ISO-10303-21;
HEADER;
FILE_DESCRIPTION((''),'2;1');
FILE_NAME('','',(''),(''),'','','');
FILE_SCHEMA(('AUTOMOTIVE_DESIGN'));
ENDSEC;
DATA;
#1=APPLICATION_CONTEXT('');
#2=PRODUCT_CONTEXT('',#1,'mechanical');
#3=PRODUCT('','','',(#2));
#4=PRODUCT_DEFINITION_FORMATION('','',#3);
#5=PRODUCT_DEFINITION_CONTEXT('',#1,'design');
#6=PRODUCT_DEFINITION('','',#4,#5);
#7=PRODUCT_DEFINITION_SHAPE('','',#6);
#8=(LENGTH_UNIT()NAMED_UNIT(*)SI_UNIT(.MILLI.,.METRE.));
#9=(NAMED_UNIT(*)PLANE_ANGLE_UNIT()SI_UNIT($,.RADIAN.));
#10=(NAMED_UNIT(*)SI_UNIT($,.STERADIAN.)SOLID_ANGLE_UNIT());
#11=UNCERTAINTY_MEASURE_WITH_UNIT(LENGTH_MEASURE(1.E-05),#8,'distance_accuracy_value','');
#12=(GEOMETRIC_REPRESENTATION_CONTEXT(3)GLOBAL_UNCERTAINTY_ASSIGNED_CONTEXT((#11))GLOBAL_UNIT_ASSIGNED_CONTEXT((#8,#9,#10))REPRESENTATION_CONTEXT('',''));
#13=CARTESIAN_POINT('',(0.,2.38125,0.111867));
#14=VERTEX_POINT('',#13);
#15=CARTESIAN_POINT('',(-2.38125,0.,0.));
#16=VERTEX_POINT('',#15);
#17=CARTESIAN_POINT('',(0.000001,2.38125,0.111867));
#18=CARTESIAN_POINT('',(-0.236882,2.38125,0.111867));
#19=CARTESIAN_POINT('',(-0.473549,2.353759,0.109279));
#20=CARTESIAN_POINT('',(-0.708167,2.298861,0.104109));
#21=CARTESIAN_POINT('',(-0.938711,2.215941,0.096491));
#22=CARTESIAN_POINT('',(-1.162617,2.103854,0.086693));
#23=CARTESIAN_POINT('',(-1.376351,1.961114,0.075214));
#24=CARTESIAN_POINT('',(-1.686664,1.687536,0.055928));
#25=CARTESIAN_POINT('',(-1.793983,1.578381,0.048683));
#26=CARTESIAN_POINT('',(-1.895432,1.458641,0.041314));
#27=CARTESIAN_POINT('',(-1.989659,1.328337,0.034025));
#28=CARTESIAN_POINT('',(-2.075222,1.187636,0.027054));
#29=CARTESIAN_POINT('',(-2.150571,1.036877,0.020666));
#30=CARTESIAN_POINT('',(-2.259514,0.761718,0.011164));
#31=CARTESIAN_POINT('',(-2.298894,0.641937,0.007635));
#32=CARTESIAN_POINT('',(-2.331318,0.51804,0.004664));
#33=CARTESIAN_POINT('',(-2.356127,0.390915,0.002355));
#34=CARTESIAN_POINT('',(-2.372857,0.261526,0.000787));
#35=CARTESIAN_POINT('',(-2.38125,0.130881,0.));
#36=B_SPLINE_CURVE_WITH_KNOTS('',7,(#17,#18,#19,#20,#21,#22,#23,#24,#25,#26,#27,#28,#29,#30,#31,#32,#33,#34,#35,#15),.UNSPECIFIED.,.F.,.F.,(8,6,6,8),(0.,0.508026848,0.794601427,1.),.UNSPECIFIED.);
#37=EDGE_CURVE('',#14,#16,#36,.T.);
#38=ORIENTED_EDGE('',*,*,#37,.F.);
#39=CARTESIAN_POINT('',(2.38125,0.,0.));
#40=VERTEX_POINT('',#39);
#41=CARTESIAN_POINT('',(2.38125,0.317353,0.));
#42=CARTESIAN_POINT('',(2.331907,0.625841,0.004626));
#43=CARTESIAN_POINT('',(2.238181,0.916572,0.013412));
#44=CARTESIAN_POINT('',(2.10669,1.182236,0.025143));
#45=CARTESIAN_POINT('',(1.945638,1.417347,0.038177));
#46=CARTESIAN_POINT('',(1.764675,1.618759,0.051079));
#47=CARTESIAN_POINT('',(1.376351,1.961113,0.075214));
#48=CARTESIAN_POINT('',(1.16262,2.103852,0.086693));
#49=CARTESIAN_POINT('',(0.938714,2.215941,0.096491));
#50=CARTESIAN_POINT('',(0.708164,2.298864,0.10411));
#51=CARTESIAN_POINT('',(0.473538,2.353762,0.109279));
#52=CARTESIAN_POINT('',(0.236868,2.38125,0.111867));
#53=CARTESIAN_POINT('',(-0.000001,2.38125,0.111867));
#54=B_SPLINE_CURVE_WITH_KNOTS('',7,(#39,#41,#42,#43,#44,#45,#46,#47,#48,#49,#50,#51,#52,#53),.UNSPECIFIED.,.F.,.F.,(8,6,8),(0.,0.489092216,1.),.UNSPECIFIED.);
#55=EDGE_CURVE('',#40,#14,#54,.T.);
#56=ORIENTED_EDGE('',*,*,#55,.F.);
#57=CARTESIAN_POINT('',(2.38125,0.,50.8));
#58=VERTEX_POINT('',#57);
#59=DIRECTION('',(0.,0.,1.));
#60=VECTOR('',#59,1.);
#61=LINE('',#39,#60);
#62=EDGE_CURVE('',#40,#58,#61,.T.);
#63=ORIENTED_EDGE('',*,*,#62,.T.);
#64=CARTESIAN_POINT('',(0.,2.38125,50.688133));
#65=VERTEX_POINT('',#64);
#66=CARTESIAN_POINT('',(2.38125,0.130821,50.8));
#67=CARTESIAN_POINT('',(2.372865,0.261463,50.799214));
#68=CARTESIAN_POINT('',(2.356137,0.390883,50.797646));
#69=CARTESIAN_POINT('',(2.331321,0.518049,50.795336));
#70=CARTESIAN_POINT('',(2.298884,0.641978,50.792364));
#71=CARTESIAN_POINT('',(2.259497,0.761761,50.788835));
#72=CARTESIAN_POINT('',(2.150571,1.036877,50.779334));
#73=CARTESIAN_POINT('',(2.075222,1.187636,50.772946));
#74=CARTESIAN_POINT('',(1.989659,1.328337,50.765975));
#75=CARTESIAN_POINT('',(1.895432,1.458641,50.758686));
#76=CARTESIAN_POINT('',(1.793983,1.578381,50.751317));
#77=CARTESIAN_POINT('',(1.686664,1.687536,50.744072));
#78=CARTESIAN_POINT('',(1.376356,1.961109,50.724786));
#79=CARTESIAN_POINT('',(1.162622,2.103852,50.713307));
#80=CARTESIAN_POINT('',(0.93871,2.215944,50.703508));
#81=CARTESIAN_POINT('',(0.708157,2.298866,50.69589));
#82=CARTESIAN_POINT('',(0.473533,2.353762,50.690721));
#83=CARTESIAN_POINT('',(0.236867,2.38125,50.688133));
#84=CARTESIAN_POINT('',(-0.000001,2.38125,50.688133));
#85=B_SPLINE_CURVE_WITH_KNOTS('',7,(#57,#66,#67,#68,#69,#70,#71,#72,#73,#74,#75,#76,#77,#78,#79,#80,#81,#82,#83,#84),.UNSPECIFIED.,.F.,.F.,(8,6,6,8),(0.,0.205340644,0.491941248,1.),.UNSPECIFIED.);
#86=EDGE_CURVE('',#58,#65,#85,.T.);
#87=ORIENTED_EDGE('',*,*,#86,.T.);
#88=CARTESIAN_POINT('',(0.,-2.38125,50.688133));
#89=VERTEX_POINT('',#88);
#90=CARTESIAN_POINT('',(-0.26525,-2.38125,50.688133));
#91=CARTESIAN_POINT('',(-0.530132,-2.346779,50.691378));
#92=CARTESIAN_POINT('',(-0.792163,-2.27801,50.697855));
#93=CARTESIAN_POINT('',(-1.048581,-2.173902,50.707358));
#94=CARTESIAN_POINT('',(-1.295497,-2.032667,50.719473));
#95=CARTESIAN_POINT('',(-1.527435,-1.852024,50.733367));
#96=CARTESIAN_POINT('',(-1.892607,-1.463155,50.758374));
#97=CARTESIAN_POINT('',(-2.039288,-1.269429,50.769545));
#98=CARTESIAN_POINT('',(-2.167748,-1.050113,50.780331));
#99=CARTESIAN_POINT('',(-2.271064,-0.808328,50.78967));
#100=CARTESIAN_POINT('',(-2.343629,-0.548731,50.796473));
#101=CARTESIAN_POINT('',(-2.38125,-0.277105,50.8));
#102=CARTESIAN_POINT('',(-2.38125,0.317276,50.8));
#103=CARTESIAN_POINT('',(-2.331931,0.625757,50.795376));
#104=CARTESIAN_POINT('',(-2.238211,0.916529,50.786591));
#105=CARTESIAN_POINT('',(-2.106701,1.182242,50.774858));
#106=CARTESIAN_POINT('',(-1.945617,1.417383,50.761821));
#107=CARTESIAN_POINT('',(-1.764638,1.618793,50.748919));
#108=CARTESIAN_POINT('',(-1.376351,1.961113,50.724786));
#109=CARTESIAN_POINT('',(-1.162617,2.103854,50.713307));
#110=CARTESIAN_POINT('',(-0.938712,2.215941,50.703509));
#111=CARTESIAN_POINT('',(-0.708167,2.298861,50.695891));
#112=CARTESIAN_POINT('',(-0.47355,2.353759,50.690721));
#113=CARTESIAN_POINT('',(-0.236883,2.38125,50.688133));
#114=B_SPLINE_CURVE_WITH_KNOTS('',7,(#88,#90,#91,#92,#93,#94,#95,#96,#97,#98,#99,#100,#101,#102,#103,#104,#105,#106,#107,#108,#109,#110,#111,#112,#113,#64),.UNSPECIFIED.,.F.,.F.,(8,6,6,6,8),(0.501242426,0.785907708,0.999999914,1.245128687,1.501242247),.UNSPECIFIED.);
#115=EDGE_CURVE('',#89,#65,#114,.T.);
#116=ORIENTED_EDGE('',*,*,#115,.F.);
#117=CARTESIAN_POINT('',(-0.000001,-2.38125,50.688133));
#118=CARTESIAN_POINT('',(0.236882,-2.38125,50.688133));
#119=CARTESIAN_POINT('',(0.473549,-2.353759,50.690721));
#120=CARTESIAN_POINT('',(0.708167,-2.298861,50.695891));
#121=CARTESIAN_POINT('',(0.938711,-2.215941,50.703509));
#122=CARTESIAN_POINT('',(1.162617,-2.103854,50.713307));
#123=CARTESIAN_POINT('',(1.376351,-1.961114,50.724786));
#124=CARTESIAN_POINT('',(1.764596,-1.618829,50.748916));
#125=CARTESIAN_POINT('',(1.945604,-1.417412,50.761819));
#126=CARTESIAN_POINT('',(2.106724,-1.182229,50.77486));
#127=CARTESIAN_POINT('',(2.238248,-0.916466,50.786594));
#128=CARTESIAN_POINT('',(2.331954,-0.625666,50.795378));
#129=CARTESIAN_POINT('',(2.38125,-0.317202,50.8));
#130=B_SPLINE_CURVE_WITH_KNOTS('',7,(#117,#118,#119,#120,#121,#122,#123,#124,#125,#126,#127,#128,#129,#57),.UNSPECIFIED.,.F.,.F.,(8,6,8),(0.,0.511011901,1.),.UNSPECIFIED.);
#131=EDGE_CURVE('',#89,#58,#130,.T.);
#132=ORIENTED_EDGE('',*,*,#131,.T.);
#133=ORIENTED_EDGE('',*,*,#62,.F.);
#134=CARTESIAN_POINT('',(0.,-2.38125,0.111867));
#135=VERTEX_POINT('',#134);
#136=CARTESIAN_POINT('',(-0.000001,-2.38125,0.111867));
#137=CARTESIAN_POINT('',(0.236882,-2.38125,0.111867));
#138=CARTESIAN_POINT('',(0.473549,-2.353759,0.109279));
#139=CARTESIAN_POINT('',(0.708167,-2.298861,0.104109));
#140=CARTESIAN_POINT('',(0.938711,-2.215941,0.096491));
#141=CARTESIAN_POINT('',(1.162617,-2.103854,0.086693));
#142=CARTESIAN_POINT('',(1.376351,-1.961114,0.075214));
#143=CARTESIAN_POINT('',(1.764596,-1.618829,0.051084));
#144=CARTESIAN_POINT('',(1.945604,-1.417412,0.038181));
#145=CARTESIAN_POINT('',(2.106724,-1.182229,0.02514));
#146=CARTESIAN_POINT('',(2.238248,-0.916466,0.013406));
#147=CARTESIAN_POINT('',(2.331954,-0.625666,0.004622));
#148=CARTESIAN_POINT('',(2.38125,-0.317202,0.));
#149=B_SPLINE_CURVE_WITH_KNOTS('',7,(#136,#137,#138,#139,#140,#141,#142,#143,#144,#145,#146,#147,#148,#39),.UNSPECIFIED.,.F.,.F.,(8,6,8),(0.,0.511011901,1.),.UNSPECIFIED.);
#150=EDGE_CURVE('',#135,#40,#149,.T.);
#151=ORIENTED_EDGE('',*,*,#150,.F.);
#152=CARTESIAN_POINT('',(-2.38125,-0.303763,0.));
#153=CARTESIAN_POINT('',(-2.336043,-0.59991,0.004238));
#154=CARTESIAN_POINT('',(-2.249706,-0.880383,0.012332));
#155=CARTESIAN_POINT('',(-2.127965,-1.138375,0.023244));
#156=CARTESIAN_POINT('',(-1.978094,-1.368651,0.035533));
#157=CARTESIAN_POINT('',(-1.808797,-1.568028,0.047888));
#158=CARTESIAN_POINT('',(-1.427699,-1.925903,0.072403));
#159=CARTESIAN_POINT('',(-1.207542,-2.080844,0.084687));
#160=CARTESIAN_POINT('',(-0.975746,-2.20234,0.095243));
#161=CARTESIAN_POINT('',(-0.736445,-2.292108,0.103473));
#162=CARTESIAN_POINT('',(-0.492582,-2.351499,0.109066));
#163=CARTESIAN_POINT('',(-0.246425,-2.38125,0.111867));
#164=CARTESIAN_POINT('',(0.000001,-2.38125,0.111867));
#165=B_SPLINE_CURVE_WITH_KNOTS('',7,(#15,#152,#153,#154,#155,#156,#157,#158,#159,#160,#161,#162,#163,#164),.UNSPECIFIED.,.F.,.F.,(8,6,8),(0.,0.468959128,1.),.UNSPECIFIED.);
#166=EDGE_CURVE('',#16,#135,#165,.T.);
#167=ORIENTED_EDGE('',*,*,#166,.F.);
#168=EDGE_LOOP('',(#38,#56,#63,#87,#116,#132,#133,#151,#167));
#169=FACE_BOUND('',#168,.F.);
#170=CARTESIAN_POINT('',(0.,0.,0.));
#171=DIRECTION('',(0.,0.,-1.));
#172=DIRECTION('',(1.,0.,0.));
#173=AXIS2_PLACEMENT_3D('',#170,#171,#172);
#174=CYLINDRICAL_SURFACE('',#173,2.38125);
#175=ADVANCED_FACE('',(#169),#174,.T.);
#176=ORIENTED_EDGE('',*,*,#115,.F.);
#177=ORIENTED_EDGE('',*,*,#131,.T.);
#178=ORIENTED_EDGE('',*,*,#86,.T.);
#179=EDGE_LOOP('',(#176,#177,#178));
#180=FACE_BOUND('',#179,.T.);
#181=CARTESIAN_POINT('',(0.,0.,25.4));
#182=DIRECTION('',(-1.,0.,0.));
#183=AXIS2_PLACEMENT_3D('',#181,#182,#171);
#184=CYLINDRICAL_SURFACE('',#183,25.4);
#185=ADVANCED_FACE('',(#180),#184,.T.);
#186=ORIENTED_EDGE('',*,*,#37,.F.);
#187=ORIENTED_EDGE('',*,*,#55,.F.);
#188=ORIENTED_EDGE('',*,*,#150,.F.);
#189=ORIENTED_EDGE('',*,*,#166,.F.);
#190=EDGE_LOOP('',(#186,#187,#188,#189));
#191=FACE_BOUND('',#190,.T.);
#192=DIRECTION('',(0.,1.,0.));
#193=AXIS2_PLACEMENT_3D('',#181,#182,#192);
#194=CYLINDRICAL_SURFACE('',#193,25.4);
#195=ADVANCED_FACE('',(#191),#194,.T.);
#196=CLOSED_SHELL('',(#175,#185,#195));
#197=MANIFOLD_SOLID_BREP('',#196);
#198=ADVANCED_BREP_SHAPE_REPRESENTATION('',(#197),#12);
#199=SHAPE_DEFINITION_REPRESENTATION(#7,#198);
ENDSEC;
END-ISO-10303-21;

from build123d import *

# Parameters (mm, degrees)
F0_R     = 2.38125
F1_DEPTH = 50.8
F2_R     = 31.922037092
F3_DEPTH = 12.7


with BuildPart() as f1:
    # F0 (on Top) → F1 (new body)
    with BuildSketch(Plane.XY):
        Circle(F0_R)
    extrude(amount=F1_DEPTH)

    # F2 (on Right) → F3 (cut, symmetric)
    with BuildSketch(Plane.YZ):
        with Locations((0, 25.4)):
            Circle(F2_R)
        with BuildLine():
            ThreePointArc((0, 0), (-17.9605122421, 43.3605122421), (25.4, 25.4))
            ThreePointArc((25.4, 25.4), (17.9605122421, 7.4394877579), (0, 0))
        make_face(mode=Mode.SUBTRACT)
    extrude(amount=F3_DEPTH, both=True, mode=Mode.SUBTRACT)


solid = f1.part
